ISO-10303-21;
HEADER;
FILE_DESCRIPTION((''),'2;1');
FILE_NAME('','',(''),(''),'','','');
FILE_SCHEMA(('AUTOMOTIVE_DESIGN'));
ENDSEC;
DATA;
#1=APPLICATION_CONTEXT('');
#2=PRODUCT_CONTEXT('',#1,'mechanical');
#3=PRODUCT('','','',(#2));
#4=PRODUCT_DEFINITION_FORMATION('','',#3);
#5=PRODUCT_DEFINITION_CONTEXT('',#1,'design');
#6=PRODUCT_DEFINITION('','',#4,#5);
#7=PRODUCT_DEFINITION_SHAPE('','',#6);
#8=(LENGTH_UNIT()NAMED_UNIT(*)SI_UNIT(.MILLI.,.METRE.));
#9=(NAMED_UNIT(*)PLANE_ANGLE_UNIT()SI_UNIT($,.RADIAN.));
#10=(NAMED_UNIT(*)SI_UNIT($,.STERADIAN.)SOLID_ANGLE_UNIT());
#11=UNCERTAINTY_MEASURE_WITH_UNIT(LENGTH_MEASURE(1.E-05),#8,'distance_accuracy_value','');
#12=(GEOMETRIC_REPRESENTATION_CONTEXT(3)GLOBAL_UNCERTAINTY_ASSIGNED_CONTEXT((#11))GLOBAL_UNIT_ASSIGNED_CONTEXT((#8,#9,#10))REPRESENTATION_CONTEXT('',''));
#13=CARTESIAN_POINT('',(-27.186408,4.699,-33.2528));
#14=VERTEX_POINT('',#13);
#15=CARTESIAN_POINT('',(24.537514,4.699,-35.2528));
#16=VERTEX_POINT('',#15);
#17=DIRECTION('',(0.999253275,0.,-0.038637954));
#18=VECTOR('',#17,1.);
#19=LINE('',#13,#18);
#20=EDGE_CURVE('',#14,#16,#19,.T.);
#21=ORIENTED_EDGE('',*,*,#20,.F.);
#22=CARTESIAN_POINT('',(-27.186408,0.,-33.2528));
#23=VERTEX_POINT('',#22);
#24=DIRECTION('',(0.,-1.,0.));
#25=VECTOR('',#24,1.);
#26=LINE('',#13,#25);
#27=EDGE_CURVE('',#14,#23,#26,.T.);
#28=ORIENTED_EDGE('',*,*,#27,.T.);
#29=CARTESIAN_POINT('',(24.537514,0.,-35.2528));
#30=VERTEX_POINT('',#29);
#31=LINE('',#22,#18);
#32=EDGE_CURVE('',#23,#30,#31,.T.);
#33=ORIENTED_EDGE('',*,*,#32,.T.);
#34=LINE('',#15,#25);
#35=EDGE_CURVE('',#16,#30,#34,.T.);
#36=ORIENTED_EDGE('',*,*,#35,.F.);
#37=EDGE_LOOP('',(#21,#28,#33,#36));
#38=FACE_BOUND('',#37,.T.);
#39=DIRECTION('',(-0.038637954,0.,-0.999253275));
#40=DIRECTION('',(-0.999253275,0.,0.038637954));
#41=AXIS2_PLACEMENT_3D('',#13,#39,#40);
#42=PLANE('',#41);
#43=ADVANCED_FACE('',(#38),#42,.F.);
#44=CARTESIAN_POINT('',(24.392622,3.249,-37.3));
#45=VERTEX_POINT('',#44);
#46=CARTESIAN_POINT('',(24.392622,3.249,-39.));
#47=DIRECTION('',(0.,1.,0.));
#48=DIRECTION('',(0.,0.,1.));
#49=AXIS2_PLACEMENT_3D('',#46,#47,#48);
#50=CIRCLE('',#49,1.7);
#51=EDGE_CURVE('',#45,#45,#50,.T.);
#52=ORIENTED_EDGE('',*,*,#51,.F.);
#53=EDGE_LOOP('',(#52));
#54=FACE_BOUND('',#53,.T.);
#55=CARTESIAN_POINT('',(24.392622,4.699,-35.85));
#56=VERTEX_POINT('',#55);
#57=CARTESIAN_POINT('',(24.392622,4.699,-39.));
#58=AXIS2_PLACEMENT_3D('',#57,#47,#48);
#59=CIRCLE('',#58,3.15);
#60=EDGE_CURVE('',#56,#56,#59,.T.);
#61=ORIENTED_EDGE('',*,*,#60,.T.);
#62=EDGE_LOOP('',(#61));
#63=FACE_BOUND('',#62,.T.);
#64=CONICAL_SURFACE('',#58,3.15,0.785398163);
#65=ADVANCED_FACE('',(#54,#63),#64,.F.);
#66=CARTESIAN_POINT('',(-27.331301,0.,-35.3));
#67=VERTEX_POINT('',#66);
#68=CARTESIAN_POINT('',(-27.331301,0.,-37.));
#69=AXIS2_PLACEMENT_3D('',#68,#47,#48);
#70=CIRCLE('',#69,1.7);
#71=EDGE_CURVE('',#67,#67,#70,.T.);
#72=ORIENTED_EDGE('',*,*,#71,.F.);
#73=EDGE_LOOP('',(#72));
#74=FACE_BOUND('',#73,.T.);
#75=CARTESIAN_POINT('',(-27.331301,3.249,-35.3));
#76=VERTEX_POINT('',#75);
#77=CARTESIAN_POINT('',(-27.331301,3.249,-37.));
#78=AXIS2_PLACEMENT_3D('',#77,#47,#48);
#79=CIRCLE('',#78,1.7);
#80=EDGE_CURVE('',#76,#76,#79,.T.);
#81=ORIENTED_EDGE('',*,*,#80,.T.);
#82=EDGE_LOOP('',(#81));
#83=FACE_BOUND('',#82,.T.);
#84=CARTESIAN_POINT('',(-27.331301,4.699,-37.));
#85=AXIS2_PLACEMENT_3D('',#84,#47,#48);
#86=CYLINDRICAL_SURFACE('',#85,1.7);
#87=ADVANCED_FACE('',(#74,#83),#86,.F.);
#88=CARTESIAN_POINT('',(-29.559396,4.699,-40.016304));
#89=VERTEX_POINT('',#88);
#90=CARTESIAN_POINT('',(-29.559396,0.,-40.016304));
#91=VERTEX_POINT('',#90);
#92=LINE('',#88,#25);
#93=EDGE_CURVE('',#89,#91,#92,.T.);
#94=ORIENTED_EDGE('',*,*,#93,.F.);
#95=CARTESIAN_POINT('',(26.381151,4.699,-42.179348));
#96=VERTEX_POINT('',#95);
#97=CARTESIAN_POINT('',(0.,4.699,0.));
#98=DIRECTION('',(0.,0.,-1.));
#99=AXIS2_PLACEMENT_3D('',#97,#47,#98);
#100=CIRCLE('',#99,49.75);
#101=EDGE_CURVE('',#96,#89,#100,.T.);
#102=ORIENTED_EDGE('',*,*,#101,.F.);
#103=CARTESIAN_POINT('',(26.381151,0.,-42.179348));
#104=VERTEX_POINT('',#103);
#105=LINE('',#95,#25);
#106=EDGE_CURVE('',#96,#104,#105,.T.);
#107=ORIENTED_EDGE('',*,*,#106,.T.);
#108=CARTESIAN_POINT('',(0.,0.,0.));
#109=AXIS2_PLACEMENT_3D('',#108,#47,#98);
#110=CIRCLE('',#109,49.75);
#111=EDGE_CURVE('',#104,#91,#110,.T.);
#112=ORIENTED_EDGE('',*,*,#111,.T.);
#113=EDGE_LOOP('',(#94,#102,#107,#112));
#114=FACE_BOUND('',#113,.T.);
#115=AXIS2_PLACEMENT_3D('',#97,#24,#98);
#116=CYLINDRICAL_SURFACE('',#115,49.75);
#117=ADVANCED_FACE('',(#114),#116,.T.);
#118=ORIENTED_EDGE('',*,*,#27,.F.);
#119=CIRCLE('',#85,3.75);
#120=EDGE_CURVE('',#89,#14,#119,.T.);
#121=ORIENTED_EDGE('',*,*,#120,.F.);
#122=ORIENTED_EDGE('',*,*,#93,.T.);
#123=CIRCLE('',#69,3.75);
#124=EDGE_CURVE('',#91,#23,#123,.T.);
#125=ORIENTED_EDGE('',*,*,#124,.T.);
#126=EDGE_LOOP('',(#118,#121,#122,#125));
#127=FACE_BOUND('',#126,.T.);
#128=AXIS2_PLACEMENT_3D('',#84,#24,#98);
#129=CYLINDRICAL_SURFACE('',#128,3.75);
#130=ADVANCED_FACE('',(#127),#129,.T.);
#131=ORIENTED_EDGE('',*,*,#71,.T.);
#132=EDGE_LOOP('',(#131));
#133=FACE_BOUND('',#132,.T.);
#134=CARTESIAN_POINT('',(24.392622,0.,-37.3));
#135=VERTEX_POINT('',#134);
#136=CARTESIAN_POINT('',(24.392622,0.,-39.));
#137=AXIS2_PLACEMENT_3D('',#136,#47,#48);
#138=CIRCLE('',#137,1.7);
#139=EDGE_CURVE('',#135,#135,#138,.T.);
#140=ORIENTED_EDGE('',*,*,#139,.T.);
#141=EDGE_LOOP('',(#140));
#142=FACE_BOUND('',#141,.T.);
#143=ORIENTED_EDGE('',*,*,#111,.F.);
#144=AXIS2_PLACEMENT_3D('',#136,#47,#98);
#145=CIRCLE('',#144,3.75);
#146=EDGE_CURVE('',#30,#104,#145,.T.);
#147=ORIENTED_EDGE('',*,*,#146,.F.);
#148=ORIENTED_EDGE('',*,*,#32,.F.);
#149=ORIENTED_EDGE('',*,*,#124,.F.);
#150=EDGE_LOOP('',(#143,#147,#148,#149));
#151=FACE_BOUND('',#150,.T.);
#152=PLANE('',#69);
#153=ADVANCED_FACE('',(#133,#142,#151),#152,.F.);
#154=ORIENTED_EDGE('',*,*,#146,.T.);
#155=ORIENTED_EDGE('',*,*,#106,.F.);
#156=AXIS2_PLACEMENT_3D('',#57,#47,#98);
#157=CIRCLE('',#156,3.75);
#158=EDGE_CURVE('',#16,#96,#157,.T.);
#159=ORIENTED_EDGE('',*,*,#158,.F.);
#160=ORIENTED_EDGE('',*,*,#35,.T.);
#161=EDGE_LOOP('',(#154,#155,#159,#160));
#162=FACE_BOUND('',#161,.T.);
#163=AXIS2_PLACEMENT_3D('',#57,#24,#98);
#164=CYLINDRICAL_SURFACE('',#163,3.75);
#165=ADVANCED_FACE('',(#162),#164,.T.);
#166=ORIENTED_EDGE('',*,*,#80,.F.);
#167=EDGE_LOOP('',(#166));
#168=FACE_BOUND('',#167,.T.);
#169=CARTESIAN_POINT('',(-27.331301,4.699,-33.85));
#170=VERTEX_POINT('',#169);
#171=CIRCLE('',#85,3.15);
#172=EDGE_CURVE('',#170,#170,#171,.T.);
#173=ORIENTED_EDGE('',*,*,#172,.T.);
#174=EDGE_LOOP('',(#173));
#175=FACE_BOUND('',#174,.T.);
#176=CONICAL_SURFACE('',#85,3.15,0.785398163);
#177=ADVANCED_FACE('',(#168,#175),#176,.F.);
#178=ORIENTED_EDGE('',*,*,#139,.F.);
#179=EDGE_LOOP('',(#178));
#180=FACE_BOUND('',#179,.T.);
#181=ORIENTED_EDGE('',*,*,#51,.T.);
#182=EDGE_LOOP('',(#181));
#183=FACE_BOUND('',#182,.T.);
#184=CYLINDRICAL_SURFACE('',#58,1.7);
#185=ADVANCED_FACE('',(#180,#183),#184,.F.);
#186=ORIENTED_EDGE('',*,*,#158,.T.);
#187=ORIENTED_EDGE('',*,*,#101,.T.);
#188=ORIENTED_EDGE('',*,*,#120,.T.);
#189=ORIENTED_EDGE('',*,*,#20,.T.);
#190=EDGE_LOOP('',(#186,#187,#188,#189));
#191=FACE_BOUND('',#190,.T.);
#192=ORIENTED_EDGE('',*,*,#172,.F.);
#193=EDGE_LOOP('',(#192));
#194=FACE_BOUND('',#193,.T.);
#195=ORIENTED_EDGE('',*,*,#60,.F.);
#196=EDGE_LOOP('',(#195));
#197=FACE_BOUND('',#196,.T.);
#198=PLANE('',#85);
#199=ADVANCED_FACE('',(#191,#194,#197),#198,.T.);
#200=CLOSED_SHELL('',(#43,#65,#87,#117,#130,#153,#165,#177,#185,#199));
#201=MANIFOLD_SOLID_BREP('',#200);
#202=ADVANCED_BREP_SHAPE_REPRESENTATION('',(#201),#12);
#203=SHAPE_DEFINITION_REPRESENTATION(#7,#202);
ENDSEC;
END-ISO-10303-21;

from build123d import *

# Parameters (mm, degrees)
BOSS_EXTRUDE1_DEPTH                             = 4.699
CSK_FOR_M3_FLAT_HEAD_MACHINE_SCREW1_D           = 3.4
CSK_FOR_M3_FLAT_HEAD_MACHINE_SCREW1_CSINK_D     = 6.3
CSK_FOR_M3_FLAT_HEAD_MACHINE_SCREW1_CSINK_ANGLE = 90


with BuildPart() as part:
    # Sketch1 → Boss-Extrude1 (new body)
    with BuildSketch(Plane(origin=(0, 0, 0), x_dir=(1, 0, 0), z_dir=(0, 1, 0))):
        with BuildLine():
            Line((-27.186408409, 33.252800217), (24.537514164, 35.252800217))
            ThreePointArc((24.537514164, 35.252800217), (28.016450893, 38.035446755), (26.381150789, 42.179347826))
            ThreePointArc((26.381150789, 42.179347826), (-1.922238221, 49.712850454), (-29.559395906, 40.016304348))
            ThreePointArc((-29.559395906, 40.016304348), (-30.869828758, 35.758501128), (-27.186408409, 33.252800217))
        make_face()
    extrude(amount=BOSS_EXTRUDE1_DEPTH)

    # CSK for M3 Flat Head Machine Screw1 (through all)
    with Locations(Plane(origin=(0, 4.699, 0), x_dir=(1, 0, 0), z_dir=(0, 1, 0))):
        with Locations((-27.331300737, 37), (24.392621835, 39)):
            CounterSinkHole(CSK_FOR_M3_FLAT_HEAD_MACHINE_SCREW1_D / 2, CSK_FOR_M3_FLAT_HEAD_MACHINE_SCREW1_CSINK_D / 2, counter_sink_angle=CSK_FOR_M3_FLAT_HEAD_MACHINE_SCREW1_CSINK_ANGLE)


solid = part.part
